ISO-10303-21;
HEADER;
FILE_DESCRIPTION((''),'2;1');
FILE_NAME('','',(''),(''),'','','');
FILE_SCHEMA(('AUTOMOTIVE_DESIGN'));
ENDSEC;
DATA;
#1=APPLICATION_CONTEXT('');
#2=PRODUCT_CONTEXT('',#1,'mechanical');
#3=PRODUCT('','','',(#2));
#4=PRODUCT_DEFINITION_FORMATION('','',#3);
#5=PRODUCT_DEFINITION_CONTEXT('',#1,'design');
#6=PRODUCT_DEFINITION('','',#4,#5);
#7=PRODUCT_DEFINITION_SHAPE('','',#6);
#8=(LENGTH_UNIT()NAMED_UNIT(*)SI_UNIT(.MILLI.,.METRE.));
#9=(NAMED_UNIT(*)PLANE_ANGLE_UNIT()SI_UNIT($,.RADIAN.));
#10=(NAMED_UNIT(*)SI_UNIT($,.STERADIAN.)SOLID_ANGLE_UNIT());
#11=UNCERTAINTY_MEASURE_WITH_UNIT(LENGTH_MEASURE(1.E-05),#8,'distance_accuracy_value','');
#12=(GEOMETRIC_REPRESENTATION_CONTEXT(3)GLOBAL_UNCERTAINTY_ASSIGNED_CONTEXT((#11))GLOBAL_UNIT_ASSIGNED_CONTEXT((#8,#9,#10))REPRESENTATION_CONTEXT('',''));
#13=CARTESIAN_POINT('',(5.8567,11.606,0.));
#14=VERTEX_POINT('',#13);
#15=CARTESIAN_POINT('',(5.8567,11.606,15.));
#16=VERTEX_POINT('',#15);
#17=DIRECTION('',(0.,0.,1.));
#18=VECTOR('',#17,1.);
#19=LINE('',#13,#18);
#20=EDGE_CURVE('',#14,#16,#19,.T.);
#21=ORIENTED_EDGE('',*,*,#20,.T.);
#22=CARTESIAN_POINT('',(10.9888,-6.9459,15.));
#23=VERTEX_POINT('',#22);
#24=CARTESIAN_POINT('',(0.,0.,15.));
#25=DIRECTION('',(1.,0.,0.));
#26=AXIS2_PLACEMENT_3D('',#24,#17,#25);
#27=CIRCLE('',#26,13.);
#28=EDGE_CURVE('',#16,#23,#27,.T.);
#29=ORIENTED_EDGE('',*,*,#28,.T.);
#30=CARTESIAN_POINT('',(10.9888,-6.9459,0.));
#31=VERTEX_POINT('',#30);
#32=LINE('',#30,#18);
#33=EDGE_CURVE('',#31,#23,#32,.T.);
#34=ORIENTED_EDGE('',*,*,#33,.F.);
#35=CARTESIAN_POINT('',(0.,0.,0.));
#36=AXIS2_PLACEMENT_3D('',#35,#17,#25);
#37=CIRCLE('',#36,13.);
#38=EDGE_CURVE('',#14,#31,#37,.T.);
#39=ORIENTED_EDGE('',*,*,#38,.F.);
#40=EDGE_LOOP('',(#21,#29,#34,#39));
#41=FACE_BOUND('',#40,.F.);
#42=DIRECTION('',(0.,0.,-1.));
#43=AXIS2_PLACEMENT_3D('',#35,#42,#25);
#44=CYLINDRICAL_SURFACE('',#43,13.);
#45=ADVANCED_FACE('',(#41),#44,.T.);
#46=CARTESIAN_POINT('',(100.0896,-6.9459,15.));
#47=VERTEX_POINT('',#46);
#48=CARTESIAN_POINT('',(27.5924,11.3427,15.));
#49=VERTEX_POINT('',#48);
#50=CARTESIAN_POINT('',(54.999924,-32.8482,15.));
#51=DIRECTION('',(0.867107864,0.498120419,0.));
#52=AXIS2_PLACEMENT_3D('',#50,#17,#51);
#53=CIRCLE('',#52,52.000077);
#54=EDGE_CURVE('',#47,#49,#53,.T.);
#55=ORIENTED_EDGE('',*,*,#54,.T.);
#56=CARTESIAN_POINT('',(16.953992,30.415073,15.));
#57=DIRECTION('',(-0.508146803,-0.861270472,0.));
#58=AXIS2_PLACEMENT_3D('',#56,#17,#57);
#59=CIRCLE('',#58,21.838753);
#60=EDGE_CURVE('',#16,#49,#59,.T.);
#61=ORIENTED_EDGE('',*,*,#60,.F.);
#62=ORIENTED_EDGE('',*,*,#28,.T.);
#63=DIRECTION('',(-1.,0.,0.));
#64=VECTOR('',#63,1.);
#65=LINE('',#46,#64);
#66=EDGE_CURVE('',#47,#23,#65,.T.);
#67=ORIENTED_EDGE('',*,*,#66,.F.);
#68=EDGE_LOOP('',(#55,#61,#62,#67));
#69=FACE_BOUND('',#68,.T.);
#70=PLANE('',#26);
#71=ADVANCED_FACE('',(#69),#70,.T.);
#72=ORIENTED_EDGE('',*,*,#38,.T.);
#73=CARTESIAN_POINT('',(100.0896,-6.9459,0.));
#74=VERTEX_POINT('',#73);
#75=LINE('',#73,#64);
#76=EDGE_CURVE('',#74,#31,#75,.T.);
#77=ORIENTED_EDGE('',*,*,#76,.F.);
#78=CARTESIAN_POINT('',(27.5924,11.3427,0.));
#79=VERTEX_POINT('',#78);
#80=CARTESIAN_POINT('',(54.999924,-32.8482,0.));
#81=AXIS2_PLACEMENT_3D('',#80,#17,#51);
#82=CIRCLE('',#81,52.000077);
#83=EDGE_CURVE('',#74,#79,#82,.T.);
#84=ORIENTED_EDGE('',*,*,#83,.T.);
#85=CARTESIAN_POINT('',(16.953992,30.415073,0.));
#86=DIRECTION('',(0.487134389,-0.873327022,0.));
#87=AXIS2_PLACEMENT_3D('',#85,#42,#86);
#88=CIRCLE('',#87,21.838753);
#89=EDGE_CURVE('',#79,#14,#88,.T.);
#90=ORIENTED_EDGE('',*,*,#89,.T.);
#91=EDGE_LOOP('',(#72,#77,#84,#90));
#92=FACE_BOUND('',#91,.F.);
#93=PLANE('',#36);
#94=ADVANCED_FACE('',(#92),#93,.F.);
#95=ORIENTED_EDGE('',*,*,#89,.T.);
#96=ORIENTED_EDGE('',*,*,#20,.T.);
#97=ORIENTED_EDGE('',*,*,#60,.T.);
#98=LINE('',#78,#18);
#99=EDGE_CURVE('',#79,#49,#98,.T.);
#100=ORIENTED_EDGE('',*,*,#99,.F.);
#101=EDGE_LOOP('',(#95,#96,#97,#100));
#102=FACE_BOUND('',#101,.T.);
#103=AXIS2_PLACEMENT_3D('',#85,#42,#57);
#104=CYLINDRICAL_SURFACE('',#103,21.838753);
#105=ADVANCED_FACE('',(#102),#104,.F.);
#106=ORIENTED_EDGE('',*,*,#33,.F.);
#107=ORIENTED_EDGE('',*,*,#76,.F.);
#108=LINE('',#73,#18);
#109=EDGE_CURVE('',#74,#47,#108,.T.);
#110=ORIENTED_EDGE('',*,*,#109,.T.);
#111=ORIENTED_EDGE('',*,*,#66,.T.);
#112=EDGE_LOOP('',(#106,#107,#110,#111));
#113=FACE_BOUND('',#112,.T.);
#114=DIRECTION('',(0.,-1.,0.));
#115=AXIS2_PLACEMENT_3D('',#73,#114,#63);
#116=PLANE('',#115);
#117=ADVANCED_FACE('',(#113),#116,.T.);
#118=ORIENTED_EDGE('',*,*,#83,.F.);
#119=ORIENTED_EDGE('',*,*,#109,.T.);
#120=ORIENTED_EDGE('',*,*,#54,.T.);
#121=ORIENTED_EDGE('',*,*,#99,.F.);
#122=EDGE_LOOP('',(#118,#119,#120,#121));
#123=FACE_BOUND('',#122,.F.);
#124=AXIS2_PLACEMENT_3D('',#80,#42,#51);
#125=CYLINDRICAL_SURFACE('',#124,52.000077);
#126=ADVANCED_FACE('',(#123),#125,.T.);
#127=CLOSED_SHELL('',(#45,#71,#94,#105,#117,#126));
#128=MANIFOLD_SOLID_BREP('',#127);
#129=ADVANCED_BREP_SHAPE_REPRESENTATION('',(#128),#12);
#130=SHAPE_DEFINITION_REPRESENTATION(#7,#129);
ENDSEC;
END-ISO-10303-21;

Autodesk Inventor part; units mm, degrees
ref_plane "YZ Plane" through (0, 0, 0) normal (1, 0, 0) x (0, 1, 0)
ref_plane "XZ Plane" through (0, 0, 0) normal (0, 1, 0) x (-1, 0, 0)
ref_plane "XY Plane" through (0, 0, 0) normal (0, 0, 1) x (1, 0, 0)
sketch "Эскиз1" plane through (0, 0, 0) normal (0, 0, 1) x (1, 0, 0)
  circle A0 centre (0, 0) radius 13
  arc A1 (5.8567, 11.606) -> (27.5924, 11.3427) centre (16.954, 30.4151) ccw
  line L0 (100.0896, -6.9459) -> (10.9888, -6.9459)
  arc A2 (100.0896, -6.9459) -> (27.5924, 11.3427) centre (55, -32.8481) ccw
  dimension "d0" = 26
extrude "Выдавливание1" add sketch "Эскиз1" along normal blind 15 contours A1 A0 | A0 A1 A2 L0 picked at (-2.6021, -3.4241)
properties part number "хрень"
